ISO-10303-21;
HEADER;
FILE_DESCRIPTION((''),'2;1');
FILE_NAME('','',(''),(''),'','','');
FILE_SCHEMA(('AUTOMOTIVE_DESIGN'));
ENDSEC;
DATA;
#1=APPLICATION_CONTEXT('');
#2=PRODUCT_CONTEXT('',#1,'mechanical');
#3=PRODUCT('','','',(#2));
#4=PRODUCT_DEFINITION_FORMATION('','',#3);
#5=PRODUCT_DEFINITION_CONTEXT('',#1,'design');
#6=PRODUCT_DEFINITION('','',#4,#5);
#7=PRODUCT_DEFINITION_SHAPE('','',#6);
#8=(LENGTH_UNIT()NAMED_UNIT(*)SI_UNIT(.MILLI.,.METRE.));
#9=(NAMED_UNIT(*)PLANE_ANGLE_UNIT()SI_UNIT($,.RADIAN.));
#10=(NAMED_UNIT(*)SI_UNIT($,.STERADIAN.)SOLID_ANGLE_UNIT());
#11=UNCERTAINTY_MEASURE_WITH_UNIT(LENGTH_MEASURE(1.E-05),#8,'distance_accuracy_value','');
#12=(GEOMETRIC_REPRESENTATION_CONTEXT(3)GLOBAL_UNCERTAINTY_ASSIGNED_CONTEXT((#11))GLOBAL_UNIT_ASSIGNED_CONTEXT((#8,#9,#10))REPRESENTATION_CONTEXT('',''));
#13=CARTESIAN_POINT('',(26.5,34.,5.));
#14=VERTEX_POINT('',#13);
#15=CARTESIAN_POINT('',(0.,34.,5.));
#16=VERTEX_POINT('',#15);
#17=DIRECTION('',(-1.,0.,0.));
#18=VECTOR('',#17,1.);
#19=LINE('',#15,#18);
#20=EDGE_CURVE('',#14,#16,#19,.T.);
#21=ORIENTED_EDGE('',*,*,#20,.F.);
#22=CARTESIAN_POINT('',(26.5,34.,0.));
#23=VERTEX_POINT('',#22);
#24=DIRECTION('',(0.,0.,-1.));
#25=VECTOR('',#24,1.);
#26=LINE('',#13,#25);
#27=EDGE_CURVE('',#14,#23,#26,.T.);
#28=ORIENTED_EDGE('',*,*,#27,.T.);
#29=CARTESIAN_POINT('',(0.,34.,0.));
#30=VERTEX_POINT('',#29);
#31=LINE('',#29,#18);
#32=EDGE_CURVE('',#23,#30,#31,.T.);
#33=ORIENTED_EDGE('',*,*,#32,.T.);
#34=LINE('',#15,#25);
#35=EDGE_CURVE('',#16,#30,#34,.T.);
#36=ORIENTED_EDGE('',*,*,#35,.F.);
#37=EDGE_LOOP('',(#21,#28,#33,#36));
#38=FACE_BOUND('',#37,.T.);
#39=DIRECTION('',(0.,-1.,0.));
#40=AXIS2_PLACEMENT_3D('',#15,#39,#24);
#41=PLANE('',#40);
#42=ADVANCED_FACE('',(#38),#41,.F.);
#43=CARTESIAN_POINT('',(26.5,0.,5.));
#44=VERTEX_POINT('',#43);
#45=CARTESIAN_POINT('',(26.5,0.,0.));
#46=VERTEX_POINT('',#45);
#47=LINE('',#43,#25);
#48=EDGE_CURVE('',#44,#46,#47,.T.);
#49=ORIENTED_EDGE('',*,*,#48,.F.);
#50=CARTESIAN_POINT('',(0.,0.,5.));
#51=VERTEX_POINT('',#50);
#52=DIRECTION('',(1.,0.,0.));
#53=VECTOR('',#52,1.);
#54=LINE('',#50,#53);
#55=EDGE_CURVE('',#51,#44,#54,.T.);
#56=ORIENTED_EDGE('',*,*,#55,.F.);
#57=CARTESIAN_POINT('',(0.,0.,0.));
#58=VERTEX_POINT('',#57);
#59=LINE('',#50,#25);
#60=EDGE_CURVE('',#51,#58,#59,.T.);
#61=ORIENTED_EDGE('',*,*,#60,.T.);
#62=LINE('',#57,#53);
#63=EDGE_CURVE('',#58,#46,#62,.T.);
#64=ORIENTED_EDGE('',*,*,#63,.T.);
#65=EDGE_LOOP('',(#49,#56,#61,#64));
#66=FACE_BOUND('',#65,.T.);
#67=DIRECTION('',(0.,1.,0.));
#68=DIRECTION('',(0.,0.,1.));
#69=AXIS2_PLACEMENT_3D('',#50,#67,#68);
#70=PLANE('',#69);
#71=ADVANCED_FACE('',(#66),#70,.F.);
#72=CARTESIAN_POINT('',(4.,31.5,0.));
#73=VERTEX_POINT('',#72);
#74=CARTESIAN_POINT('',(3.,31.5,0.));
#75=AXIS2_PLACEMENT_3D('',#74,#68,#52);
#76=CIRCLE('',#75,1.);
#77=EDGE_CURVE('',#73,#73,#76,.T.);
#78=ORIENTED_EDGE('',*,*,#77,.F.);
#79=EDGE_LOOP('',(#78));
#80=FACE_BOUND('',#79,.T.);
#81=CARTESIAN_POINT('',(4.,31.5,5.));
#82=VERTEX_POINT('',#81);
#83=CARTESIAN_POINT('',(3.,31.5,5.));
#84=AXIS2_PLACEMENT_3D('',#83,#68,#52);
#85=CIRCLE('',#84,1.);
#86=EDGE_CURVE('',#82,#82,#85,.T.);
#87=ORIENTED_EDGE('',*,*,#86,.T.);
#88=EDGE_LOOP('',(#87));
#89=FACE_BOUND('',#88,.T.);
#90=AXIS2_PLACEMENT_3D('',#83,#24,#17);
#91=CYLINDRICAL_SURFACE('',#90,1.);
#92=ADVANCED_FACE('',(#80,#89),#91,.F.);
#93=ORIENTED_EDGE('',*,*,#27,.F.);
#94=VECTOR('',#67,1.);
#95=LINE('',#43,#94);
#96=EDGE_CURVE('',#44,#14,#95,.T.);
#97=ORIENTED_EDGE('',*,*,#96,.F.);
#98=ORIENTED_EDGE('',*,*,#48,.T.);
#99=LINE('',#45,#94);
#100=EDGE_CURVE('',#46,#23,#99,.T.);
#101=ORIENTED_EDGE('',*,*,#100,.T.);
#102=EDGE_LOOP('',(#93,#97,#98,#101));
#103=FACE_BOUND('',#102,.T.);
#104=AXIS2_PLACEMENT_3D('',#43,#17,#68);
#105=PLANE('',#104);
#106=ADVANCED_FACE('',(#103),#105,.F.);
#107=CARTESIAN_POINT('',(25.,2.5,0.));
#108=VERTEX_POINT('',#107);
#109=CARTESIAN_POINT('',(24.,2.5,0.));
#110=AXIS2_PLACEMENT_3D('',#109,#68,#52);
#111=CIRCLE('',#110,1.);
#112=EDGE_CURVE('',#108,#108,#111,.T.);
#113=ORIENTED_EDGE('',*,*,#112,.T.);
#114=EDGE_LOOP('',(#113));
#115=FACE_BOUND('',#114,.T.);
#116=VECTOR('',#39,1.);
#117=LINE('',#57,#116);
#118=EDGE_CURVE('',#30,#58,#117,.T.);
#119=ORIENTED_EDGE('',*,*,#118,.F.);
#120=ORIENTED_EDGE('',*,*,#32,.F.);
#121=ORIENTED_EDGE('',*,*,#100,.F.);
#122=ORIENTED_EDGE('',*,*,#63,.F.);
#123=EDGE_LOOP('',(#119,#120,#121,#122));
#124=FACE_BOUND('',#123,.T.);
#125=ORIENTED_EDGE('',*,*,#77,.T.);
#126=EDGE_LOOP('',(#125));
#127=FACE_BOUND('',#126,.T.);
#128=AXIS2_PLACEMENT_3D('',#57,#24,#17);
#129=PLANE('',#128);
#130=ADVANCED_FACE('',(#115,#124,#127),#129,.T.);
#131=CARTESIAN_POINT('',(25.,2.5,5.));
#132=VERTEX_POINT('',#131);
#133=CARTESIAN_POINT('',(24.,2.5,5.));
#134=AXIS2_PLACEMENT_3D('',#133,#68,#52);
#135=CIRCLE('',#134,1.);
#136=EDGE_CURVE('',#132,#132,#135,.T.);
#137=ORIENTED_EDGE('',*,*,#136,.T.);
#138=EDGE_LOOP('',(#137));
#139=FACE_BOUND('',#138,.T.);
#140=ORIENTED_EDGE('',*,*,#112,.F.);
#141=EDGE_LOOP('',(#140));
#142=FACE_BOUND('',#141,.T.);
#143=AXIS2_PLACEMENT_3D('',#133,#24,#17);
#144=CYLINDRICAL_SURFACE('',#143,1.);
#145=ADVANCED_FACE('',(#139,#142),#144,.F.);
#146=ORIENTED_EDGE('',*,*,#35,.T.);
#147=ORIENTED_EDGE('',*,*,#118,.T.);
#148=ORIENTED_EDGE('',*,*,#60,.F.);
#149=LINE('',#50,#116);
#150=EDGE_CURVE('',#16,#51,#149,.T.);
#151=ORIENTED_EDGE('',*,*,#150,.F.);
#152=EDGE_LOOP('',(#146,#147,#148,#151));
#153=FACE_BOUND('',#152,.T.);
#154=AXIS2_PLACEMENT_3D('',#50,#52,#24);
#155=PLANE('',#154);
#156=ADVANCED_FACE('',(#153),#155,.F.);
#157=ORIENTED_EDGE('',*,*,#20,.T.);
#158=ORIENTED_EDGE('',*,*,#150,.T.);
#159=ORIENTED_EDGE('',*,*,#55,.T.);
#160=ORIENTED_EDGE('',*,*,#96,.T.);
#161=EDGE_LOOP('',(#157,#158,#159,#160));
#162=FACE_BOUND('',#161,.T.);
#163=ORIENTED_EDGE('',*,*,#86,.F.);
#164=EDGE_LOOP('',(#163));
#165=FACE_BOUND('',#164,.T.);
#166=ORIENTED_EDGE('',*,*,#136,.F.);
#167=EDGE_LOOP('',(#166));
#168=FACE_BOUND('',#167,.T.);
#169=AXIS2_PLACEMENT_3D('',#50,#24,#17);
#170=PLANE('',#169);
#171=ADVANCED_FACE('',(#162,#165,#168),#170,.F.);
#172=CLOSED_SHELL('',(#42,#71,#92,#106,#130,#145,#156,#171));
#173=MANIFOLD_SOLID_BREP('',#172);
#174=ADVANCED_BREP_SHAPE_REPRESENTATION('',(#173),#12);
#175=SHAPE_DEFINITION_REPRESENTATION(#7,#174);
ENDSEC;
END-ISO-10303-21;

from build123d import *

# Parameters (mm, degrees)
SKETCH1_W           = 26.5
SKETCH1_H           = 34
SKETCH1_R           = 1
BOSS_EXTRUDE1_DEPTH = 5


with BuildPart() as part:
    # Sketch1 → Boss-Extrude1 (new body)
    with BuildSketch(Plane.XY):
        with Locations((13.25, 17)):
            Rectangle(SKETCH1_W, SKETCH1_H)
        with Locations((3, 31.5)):
            Circle(SKETCH1_R, mode=Mode.SUBTRACT)
        with Locations((24, 2.5)):
            Circle(SKETCH1_R, mode=Mode.SUBTRACT)
    extrude(amount=BOSS_EXTRUDE1_DEPTH)


solid = part.part
